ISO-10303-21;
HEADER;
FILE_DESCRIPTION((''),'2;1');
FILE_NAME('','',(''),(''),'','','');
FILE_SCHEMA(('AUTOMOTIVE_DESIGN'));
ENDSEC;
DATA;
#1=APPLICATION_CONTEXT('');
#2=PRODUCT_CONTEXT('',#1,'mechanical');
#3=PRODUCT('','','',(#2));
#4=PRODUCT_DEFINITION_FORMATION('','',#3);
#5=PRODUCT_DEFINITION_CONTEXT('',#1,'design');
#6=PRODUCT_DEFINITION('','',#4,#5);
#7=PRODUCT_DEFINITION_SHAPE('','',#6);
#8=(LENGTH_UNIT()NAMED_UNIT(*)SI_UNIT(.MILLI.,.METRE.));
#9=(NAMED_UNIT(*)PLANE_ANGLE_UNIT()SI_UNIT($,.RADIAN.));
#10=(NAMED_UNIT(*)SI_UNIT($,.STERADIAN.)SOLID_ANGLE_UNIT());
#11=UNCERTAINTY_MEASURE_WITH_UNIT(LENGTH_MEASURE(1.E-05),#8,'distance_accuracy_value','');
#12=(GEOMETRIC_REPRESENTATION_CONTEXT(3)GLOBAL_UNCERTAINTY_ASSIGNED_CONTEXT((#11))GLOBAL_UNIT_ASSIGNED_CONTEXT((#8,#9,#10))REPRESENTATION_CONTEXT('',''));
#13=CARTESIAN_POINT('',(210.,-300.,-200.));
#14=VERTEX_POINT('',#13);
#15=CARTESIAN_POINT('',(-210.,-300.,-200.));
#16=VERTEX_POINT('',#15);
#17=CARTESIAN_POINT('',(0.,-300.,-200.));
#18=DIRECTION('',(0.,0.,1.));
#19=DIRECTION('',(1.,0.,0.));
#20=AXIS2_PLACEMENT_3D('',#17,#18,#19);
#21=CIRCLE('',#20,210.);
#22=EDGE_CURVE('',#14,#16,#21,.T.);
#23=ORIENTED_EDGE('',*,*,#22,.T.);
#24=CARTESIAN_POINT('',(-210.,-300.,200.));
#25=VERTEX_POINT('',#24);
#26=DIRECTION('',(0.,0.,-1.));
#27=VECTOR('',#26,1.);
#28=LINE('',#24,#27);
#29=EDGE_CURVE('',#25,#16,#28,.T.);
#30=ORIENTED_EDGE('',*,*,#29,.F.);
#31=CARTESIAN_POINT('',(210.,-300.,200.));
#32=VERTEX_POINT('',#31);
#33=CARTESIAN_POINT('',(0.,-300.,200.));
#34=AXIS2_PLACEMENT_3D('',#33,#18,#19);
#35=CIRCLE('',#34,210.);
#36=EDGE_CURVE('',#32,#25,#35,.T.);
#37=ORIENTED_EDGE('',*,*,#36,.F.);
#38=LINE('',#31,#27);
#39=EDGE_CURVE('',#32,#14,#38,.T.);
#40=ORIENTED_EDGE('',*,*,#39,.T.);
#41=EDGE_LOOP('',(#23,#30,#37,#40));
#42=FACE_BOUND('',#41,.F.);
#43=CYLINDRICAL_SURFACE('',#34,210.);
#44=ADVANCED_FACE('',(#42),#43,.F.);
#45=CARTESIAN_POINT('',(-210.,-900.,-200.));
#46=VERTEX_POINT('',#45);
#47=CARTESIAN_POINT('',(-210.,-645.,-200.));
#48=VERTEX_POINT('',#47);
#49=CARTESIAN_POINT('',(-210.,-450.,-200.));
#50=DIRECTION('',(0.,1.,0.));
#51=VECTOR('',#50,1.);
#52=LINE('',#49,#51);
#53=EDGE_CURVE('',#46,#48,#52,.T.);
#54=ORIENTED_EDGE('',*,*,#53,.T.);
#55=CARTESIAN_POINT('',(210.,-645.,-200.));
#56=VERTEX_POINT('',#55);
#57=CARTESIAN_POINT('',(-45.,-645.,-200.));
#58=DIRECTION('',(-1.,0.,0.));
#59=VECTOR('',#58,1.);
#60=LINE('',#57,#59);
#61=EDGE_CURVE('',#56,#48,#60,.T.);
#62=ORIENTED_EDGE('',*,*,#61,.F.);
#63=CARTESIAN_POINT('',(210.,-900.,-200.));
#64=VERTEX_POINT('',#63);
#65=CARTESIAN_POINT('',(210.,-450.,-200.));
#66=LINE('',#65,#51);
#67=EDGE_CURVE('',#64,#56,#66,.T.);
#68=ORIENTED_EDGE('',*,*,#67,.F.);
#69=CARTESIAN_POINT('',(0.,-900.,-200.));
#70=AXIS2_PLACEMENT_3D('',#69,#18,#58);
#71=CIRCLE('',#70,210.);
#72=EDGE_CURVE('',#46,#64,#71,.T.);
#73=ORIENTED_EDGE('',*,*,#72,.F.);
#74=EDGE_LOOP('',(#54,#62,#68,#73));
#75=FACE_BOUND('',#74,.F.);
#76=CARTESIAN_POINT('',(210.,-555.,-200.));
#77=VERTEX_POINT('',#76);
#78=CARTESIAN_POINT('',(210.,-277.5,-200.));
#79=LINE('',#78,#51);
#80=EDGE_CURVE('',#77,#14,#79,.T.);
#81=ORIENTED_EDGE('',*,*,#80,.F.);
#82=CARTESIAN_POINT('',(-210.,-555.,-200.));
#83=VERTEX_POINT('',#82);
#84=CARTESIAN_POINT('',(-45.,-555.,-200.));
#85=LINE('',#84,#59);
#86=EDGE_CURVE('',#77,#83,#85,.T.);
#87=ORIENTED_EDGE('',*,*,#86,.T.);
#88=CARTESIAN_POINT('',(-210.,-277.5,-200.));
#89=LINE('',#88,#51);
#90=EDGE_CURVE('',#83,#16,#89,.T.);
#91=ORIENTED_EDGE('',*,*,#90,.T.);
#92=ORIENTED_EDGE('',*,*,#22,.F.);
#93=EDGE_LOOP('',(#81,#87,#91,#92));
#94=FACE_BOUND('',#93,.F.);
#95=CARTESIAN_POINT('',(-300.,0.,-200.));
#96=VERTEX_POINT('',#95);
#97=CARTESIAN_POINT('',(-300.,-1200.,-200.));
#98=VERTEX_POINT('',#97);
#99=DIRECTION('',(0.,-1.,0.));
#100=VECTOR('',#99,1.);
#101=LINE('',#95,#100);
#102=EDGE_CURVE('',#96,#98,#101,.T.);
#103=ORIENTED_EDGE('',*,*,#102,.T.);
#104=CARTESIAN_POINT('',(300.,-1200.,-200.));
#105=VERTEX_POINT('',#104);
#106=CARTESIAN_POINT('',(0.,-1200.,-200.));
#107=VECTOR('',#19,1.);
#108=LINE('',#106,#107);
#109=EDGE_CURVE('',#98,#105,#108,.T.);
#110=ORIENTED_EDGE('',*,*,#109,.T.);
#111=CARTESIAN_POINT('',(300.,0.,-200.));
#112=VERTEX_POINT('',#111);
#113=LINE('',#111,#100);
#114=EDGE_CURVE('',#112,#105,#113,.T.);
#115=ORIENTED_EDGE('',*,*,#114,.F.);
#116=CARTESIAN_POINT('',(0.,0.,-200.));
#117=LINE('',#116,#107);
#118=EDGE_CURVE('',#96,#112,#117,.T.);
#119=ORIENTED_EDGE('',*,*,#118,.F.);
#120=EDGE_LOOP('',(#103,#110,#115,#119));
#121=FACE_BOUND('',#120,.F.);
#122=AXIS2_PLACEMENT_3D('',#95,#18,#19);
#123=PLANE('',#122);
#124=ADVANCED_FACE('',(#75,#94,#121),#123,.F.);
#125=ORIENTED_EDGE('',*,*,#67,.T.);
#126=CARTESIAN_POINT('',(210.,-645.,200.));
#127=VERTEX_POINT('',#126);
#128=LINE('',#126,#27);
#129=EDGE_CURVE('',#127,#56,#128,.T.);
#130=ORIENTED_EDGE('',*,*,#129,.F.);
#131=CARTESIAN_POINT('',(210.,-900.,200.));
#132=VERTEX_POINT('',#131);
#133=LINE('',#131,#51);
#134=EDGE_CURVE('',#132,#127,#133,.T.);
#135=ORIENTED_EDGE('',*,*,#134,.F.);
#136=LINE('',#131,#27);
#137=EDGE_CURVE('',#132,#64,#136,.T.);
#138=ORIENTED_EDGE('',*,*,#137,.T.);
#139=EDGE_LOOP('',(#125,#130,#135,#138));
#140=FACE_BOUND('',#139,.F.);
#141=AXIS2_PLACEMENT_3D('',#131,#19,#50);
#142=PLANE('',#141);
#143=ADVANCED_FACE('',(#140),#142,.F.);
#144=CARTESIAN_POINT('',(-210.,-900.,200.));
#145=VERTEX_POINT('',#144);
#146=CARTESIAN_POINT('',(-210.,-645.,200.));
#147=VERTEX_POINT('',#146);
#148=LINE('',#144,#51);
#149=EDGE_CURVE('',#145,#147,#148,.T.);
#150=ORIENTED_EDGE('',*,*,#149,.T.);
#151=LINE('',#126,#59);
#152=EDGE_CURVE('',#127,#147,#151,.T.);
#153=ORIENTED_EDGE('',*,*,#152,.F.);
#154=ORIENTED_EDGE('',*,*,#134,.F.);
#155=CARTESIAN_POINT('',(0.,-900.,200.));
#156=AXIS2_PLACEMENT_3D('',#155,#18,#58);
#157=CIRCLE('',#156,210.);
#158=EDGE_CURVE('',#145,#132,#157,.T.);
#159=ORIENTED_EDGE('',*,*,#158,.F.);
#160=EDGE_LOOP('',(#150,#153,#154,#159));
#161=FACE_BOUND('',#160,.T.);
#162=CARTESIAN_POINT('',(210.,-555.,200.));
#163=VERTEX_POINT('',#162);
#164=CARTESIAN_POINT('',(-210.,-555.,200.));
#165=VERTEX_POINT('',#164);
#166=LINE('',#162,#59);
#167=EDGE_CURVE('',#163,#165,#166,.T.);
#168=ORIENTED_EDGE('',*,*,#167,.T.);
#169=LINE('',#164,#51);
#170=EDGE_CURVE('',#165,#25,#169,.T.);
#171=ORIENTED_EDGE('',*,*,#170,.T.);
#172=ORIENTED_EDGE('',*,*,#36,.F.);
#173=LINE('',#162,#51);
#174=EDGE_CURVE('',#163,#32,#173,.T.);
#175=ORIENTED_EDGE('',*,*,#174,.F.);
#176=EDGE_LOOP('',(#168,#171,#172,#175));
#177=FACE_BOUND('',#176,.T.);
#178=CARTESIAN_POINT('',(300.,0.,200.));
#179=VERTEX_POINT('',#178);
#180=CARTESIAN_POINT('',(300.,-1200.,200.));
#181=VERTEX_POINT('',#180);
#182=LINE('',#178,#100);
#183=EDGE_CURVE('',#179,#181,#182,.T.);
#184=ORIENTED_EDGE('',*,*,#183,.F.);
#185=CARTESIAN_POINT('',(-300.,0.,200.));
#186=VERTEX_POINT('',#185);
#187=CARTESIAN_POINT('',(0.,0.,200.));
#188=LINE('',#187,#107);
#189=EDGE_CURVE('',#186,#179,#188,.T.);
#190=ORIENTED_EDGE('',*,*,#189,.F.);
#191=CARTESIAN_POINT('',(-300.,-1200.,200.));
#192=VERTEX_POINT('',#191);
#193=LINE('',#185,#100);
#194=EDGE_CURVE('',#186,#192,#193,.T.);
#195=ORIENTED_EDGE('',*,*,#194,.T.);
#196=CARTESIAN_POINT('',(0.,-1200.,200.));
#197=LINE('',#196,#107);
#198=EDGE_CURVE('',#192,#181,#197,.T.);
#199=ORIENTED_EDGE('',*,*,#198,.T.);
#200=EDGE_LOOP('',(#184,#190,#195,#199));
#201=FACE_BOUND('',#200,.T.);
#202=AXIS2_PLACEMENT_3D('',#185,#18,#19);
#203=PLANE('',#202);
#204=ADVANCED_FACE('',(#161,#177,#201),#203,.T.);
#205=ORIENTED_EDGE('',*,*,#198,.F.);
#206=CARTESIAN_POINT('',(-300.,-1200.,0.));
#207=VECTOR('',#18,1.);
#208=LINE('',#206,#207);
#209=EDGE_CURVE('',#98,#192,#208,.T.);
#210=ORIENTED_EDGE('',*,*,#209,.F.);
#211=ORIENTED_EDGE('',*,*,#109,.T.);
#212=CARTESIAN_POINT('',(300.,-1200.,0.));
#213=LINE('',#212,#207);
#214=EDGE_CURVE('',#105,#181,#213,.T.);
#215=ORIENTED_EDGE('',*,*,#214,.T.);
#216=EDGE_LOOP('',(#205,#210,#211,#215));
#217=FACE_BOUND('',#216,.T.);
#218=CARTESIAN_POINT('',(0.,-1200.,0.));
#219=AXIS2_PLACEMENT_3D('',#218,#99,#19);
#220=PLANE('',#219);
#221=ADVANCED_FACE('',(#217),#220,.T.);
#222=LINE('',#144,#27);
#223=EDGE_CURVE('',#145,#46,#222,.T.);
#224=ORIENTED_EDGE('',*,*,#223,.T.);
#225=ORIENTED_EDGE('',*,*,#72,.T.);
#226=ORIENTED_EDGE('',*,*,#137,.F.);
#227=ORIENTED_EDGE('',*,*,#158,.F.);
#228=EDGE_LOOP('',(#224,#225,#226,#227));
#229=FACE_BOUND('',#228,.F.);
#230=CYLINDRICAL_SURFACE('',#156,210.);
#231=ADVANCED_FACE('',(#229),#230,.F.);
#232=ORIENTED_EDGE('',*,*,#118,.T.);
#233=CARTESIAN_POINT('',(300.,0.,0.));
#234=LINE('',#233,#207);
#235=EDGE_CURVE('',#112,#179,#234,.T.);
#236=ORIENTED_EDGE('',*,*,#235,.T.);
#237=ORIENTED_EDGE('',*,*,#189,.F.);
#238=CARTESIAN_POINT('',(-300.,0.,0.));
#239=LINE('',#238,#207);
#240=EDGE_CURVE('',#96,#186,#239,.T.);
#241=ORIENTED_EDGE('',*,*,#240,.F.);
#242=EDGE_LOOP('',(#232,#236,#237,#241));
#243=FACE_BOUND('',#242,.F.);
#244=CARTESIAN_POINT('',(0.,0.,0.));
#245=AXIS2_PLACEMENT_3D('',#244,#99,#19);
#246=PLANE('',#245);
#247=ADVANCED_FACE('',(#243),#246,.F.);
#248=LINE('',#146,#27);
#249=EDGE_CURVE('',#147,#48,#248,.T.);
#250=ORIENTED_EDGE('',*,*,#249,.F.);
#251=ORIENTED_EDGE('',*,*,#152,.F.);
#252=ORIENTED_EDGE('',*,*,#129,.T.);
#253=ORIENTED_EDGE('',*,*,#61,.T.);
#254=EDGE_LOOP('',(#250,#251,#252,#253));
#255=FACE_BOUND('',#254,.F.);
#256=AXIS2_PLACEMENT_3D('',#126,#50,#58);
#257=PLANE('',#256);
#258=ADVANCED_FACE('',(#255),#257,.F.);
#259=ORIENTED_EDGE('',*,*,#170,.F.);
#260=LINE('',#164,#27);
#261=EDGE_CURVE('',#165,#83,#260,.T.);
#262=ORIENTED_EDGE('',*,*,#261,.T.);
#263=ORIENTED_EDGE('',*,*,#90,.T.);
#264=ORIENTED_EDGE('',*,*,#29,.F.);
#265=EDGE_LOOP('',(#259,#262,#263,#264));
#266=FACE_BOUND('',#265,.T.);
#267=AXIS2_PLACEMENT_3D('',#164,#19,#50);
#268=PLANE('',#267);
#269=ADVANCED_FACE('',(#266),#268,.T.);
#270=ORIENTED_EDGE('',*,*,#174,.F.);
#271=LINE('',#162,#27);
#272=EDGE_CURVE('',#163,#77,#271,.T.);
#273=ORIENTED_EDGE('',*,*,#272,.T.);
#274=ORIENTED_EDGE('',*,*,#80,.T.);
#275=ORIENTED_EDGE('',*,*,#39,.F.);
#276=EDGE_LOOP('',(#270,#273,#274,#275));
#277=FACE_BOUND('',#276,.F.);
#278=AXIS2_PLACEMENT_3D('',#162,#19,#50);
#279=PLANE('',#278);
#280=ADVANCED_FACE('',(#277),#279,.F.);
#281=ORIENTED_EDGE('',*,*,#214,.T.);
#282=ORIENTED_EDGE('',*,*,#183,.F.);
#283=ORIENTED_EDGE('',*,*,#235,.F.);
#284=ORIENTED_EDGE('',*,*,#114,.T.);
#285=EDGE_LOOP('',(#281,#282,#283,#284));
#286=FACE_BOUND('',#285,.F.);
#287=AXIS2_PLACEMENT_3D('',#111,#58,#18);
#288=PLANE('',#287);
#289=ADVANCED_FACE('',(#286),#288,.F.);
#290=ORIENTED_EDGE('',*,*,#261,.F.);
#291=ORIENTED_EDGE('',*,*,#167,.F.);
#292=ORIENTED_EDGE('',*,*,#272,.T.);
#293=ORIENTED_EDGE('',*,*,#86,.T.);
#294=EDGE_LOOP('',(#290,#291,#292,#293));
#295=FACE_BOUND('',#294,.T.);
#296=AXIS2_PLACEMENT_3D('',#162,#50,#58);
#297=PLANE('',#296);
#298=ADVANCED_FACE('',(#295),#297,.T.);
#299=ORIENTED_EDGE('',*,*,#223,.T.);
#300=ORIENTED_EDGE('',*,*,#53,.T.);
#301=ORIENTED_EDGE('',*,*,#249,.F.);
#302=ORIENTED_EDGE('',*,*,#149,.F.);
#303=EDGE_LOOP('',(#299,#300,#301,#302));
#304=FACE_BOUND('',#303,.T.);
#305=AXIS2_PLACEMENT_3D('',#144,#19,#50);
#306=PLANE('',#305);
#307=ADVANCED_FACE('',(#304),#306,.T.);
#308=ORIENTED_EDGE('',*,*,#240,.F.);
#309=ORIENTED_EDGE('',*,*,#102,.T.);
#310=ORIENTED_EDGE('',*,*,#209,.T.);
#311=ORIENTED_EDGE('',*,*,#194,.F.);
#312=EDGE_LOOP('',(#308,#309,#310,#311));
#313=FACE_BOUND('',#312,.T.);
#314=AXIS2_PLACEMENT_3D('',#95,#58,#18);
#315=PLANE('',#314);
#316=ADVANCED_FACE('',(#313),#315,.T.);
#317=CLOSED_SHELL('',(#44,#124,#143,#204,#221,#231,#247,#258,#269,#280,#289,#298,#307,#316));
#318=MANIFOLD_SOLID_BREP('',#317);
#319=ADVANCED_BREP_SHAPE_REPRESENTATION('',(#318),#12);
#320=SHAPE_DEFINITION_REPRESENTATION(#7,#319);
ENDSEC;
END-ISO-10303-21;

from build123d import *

# Parameters (mm, degrees)
SKETCH_W     = 600
SKETCH_H     = 400
PAD_DEPTH    = 1200
POCKET_DEPTH = 400.001


with BuildPart() as part:
    # Sketch → Pad (new body)
    with BuildSketch(Plane.XZ):
        Rectangle(SKETCH_W, SKETCH_H)
    extrude(amount=PAD_DEPTH)

    # Sketch001 (on Face1 of Pad) → Pocket (cut, through all)
    with BuildSketch(Plane(origin=(0, 0, 200), x_dir=(-1, 0, 0), z_dir=(0, 0, 1))):
        with BuildLine():
            Line((-210, 900), (-210, 645))
            Line((-210, 645), (210, 645))
            Line((210, 900), (210, 645))
            ThreePointArc((210, 900), (0, 1110), (-210, 900))
        make_face()
        with BuildLine():
            ThreePointArc((-210, 300), (0, 90), (210, 300))
            Line((210, 555), (210, 300))
            Line((-210, 555), (210, 555))
            Line((-210, 555), (-210, 300))
        make_face()
    extrude(amount=-POCKET_DEPTH, mode=Mode.SUBTRACT)


solid = part.part
